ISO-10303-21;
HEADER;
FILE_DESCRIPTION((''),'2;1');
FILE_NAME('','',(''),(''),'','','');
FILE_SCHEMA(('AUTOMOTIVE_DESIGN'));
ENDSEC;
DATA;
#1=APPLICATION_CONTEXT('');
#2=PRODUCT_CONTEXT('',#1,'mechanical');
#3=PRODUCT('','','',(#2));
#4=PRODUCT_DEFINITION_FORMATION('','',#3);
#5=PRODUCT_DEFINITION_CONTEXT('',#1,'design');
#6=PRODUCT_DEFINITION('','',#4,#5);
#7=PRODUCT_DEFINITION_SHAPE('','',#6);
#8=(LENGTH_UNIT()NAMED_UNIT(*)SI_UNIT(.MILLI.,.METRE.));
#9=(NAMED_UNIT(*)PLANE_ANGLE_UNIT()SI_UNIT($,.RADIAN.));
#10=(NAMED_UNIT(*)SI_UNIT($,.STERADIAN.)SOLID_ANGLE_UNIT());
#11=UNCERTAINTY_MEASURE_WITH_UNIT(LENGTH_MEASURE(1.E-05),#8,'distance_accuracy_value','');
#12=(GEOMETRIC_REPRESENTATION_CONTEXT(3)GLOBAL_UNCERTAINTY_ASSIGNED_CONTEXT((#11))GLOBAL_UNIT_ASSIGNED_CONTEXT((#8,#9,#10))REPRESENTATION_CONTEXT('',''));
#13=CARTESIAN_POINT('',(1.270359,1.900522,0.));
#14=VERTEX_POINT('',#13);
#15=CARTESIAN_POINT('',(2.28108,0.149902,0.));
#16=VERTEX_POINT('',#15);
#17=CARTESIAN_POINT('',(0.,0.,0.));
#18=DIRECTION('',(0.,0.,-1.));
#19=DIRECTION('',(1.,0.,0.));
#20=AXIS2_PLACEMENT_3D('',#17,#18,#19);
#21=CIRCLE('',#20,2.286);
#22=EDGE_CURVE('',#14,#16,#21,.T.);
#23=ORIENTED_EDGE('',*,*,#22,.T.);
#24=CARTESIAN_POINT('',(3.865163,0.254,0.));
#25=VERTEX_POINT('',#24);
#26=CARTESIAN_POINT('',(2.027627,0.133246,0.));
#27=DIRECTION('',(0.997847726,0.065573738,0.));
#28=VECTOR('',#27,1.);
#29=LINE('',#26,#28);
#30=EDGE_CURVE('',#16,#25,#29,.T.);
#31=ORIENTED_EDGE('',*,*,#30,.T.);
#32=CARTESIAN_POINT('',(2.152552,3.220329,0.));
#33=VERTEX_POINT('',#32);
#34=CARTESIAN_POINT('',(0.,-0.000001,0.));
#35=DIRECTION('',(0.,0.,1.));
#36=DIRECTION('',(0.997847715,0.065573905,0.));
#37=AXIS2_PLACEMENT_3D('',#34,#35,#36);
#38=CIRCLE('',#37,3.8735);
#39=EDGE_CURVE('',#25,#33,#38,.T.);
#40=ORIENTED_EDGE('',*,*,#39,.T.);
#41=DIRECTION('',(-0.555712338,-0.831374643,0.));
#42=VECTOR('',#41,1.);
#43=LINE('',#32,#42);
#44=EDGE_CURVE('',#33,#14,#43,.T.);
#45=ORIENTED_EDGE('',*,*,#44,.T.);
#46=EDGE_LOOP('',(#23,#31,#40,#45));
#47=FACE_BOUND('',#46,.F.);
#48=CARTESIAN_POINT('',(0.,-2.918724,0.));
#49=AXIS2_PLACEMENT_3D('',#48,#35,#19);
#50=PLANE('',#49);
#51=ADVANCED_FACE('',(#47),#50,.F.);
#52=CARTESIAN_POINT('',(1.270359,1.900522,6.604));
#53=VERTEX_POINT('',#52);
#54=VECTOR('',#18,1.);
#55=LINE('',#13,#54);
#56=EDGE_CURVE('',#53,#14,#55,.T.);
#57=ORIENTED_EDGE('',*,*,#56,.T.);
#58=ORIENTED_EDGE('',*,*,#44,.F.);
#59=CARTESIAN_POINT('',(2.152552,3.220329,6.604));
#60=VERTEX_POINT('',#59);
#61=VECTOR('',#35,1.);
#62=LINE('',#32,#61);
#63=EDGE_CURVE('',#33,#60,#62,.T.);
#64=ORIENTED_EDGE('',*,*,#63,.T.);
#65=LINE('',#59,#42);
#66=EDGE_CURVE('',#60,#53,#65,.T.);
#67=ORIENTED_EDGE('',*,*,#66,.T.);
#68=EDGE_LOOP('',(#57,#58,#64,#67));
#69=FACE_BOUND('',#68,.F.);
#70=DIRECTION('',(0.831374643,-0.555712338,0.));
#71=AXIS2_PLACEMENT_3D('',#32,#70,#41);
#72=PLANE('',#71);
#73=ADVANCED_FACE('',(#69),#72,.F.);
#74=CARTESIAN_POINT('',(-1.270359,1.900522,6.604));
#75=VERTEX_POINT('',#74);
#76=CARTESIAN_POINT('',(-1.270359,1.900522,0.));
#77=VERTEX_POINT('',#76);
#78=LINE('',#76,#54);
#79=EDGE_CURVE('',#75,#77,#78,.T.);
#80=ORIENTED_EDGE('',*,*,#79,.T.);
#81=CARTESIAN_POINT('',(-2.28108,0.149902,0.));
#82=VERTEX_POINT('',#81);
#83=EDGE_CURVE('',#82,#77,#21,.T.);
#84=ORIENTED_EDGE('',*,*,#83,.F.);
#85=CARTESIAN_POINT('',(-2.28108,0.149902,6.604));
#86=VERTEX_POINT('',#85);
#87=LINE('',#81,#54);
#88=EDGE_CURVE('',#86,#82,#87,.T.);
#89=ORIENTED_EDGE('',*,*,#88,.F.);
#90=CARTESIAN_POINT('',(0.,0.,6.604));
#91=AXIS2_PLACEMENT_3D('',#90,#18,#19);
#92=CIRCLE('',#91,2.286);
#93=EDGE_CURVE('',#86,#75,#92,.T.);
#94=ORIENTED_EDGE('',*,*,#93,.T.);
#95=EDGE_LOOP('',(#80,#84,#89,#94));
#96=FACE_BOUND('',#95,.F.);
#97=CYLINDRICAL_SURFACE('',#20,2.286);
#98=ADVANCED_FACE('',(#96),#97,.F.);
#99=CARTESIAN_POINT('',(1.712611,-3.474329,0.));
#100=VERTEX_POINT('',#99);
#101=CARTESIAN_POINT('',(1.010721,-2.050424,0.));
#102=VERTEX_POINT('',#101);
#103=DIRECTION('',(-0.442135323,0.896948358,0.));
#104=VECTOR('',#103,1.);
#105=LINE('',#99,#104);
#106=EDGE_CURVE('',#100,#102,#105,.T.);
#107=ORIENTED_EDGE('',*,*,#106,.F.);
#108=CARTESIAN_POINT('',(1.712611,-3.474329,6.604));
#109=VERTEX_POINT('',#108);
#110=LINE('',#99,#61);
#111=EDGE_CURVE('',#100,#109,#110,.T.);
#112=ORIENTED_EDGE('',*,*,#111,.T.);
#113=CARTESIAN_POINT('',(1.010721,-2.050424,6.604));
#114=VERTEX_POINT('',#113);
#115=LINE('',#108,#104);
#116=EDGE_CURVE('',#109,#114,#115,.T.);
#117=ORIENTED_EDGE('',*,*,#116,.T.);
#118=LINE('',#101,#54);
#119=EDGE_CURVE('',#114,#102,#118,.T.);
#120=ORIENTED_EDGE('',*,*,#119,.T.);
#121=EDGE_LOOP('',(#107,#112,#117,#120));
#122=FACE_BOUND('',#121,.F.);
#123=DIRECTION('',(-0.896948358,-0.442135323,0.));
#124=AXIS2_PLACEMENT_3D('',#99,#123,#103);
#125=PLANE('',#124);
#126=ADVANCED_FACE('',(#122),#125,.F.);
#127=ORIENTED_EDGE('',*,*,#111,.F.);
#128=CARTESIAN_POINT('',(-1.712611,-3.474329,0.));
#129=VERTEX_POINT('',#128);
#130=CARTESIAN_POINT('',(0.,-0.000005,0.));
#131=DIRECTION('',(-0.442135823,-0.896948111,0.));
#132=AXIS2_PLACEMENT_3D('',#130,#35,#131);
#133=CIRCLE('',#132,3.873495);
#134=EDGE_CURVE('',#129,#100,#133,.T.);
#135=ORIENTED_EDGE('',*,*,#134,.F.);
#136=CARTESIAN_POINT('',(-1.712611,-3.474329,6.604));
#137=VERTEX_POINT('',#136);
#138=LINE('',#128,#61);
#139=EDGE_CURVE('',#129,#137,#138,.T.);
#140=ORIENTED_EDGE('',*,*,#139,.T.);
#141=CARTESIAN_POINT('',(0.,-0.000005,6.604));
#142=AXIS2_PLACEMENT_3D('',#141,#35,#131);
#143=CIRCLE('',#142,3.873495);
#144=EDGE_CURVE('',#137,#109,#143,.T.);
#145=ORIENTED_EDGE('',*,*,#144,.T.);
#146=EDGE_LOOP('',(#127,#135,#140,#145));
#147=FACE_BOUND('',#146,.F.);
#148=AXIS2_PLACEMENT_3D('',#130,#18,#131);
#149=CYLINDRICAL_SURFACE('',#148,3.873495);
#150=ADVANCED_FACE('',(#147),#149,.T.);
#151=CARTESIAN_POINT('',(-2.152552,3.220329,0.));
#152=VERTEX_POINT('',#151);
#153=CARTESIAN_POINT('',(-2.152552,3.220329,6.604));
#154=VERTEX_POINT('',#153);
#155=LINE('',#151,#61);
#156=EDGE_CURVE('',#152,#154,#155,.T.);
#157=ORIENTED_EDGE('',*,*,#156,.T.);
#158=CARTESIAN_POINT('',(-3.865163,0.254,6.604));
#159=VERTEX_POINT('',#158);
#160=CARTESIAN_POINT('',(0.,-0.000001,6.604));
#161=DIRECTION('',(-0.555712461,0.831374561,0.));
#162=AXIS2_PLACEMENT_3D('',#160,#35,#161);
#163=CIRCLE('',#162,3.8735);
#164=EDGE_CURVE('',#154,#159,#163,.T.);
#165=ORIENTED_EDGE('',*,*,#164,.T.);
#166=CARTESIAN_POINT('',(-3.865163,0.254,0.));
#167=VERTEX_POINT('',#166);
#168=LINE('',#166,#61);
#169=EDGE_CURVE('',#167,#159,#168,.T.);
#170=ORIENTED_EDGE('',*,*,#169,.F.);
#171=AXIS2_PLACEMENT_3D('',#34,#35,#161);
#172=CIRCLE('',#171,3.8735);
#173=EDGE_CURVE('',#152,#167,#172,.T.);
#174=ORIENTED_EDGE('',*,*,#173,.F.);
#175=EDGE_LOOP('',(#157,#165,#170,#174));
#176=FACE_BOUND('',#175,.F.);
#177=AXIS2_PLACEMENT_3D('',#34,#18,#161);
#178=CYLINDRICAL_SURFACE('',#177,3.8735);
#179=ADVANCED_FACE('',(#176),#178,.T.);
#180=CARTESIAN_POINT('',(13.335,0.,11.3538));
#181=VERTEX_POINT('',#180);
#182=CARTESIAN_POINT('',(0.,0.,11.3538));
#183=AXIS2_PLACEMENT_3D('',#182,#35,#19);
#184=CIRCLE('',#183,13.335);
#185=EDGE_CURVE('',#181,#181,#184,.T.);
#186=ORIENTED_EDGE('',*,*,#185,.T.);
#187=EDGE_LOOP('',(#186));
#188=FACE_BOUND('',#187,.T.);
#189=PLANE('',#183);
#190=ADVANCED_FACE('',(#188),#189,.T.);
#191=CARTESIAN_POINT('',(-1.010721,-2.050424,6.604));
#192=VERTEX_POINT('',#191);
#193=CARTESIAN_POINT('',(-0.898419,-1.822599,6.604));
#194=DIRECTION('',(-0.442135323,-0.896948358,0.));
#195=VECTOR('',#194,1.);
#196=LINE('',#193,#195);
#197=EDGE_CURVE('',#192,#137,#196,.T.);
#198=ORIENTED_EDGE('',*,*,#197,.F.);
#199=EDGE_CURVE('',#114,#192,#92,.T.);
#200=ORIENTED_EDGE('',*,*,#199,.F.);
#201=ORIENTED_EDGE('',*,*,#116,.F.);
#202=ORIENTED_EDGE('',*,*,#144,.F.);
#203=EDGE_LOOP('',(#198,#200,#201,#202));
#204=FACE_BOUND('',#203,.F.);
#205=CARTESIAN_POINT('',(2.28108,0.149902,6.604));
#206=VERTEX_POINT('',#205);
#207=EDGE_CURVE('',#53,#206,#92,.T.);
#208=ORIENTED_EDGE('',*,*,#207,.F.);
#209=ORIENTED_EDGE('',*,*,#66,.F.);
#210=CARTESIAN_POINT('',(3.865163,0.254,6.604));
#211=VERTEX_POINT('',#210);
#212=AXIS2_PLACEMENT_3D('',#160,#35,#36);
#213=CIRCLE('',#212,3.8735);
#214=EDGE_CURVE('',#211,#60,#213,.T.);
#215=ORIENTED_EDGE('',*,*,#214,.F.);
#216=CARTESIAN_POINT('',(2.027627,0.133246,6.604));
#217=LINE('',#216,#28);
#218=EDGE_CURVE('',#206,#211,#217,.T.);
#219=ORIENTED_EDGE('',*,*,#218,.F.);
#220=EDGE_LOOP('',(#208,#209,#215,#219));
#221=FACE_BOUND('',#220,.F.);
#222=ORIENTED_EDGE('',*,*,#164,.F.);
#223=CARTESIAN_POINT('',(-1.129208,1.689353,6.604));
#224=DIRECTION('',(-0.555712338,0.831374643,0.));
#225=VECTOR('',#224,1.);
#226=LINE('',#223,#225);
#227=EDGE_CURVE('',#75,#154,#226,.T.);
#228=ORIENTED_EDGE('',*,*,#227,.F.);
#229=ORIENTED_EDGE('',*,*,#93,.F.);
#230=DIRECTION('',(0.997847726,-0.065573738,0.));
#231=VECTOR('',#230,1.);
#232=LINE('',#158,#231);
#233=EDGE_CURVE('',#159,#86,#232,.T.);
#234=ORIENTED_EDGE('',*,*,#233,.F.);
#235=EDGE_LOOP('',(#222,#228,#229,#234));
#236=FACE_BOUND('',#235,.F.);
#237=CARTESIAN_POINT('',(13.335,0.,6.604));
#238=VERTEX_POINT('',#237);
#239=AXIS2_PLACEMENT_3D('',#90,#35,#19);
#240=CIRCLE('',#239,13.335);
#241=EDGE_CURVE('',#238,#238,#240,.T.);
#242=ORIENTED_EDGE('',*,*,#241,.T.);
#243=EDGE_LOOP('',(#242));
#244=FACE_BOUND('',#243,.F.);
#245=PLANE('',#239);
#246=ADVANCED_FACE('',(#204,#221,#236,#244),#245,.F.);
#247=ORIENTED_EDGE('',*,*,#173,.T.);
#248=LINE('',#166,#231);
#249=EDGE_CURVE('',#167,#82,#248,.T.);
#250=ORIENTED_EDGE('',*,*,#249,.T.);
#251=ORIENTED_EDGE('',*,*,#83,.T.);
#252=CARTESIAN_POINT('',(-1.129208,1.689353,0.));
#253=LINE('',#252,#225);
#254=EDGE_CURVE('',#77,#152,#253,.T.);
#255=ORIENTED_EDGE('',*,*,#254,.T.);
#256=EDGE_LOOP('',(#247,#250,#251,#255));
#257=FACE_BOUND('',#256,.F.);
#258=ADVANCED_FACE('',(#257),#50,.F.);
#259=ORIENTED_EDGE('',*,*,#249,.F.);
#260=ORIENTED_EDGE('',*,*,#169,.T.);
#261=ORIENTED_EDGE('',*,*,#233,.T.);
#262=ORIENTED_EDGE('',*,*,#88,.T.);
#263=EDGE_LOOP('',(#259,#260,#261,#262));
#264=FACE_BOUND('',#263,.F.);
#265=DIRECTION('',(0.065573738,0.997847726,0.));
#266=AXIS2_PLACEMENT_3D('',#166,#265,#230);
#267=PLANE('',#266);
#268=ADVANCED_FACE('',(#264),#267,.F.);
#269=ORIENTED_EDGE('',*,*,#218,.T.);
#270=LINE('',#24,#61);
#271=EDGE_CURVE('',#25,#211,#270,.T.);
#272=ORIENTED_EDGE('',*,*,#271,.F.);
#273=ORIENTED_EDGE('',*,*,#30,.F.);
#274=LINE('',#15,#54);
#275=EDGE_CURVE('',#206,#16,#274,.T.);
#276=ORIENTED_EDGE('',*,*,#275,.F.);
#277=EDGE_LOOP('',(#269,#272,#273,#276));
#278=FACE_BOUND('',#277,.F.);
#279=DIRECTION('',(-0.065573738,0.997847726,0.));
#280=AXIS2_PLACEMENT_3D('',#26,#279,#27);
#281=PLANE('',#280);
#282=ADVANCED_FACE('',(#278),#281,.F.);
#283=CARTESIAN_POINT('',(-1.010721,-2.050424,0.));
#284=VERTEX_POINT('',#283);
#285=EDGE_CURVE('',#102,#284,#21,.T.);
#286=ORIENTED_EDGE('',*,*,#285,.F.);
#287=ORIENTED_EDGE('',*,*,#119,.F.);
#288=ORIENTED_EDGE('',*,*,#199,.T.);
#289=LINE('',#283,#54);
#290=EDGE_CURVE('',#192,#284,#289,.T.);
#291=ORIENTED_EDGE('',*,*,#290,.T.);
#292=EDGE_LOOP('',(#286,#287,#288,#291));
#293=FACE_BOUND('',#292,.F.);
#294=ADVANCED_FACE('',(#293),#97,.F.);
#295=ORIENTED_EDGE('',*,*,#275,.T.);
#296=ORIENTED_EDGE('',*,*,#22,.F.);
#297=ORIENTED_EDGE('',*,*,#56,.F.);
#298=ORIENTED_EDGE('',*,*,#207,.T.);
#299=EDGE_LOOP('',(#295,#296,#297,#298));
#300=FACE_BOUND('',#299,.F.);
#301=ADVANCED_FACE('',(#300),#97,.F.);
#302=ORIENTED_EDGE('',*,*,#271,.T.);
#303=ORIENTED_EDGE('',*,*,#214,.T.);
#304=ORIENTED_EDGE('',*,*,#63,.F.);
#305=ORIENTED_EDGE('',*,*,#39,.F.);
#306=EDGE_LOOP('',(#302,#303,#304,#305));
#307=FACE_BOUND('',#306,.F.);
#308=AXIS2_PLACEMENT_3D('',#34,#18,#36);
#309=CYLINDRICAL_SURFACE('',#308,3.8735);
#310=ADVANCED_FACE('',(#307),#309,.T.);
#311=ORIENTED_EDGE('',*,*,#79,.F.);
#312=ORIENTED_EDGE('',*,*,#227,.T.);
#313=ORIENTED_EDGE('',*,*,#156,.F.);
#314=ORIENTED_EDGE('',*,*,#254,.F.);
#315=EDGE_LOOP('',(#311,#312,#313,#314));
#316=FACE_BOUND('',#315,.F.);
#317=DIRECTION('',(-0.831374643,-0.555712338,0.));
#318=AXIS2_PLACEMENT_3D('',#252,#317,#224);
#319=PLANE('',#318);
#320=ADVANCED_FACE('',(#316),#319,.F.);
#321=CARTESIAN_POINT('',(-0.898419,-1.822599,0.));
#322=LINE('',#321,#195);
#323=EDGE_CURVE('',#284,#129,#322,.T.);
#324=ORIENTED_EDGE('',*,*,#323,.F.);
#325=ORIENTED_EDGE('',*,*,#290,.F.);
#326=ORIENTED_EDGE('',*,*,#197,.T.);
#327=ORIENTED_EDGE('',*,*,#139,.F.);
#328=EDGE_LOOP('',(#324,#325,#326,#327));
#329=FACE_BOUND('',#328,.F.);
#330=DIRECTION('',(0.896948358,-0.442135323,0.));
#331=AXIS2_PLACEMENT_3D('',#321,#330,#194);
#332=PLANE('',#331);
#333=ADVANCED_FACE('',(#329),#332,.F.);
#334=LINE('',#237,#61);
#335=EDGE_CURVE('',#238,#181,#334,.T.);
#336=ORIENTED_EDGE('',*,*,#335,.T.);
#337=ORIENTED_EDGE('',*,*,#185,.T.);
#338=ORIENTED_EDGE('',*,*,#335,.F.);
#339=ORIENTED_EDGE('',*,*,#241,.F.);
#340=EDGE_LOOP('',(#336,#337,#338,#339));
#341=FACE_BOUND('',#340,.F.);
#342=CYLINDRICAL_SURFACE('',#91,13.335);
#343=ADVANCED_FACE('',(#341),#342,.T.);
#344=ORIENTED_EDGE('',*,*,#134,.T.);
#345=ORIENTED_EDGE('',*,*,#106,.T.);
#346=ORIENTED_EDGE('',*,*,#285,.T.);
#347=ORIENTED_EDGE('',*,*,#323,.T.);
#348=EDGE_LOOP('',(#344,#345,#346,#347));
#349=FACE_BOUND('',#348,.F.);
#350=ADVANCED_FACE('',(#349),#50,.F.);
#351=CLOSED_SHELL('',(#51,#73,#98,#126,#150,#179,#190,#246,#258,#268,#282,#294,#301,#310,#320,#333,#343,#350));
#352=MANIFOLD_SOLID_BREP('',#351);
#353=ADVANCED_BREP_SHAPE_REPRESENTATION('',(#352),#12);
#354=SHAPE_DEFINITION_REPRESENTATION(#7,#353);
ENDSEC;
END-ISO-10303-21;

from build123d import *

# Parameters (mm, degrees)
F1_DEPTH = 6.604
F2_R     = 13.335
F3_DEPTH = 4.7498
F4_R     = 2.286
F5_DEPTH = 6.604


with BuildPart() as f1:
    # F0 (on Top) → F1 (new body)
    with BuildSketch(Plane.XY):
        with BuildLine():
            ThreePointArc((-1.712611, -3.474329), (0, -3.8735), (1.712611, -3.474329))
            Line((1.712611, -3.474329), (0.898419, -1.822599))
            ThreePointArc((0.898419, -1.822599), (0, -2.032), (-0.898419, -1.822599))
            Line((-0.898419, -1.822599), (-1.712611, -3.474329))
        make_face()
        with BuildLine():
            Line((-1.129208, 1.689353), (-2.152552, 3.220329))
            ThreePointArc((-2.152552, 3.220329), (-3.354549, 1.93675), (-3.865163, 0.254))
            Line((-3.865163, 0.254), (-2.027627, 0.133246))
            ThreePointArc((-2.027627, 0.133246), (-1.759764, 1.016), (-1.129208, 1.689353))
        make_face()
        with BuildLine():
            Line((2.027627, 0.133246), (3.865163, 0.254))
            ThreePointArc((3.865163, 0.254), (3.354549, 1.93675), (2.152552, 3.220329))
            Line((2.152552, 3.220329), (1.129208, 1.689353))
            ThreePointArc((1.129208, 1.689353), (1.759764, 1.016), (2.027627, 0.133246))
        make_face()
        with BuildLine():
            ThreePointArc((2.027627, -0.133246), (2.030906, -0.066659), (2.032, 0))
            ThreePointArc((2.032, 0), (2.030906, 0.066659), (2.027627, 0.133246))
            ThreePointArc((2.027627, 0.133246), (1.759764, 1.016), (1.129208, 1.689353))
            ThreePointArc((1.129208, 1.689353), (1.016, 1.759764), (0.898419, 1.822599))
            ThreePointArc((0.898419, 1.822599), (0, 2.032), (-0.898419, 1.822599))
            ThreePointArc((-0.898419, 1.822599), (-1.016, 1.759764), (-1.129208, 1.689353))
            ThreePointArc((-1.129208, 1.689353), (-1.759764, 1.016), (-2.027627, 0.133246))
            ThreePointArc((-2.027627, 0.133246), (-2.032, 0), (-2.027627, -0.133246))
            ThreePointArc((-2.027627, -0.133246), (-1.759764, -1.016), (-1.129208, -1.689353))
            ThreePointArc((-1.129208, -1.689353), (-1.016, -1.759764), (-0.898419, -1.822599))
            ThreePointArc((-0.898419, -1.822599), (0, -2.032), (0.898419, -1.822599))
            ThreePointArc((0.898419, -1.822599), (1.016, -1.759764), (1.129208, -1.689353))
            ThreePointArc((1.129208, -1.689353), (1.759764, -1.016), (2.027627, -0.133246))
        make_face()
    extrude(amount=F1_DEPTH)

    # F2 (on face) → F3 (join)
    with BuildSketch(Plane.XY.offset(6.604)):
        Circle(F2_R)
    extrude(amount=F3_DEPTH)

    # F4 (on face) → F5 (cut, through all)
    with BuildSketch(Plane(origin=(0, 0, 0), x_dir=(1, 0, 0), z_dir=(0, 0, -1))):
        Circle(F4_R)
    extrude(amount=-F5_DEPTH, mode=Mode.SUBTRACT)


solid = f1.part
